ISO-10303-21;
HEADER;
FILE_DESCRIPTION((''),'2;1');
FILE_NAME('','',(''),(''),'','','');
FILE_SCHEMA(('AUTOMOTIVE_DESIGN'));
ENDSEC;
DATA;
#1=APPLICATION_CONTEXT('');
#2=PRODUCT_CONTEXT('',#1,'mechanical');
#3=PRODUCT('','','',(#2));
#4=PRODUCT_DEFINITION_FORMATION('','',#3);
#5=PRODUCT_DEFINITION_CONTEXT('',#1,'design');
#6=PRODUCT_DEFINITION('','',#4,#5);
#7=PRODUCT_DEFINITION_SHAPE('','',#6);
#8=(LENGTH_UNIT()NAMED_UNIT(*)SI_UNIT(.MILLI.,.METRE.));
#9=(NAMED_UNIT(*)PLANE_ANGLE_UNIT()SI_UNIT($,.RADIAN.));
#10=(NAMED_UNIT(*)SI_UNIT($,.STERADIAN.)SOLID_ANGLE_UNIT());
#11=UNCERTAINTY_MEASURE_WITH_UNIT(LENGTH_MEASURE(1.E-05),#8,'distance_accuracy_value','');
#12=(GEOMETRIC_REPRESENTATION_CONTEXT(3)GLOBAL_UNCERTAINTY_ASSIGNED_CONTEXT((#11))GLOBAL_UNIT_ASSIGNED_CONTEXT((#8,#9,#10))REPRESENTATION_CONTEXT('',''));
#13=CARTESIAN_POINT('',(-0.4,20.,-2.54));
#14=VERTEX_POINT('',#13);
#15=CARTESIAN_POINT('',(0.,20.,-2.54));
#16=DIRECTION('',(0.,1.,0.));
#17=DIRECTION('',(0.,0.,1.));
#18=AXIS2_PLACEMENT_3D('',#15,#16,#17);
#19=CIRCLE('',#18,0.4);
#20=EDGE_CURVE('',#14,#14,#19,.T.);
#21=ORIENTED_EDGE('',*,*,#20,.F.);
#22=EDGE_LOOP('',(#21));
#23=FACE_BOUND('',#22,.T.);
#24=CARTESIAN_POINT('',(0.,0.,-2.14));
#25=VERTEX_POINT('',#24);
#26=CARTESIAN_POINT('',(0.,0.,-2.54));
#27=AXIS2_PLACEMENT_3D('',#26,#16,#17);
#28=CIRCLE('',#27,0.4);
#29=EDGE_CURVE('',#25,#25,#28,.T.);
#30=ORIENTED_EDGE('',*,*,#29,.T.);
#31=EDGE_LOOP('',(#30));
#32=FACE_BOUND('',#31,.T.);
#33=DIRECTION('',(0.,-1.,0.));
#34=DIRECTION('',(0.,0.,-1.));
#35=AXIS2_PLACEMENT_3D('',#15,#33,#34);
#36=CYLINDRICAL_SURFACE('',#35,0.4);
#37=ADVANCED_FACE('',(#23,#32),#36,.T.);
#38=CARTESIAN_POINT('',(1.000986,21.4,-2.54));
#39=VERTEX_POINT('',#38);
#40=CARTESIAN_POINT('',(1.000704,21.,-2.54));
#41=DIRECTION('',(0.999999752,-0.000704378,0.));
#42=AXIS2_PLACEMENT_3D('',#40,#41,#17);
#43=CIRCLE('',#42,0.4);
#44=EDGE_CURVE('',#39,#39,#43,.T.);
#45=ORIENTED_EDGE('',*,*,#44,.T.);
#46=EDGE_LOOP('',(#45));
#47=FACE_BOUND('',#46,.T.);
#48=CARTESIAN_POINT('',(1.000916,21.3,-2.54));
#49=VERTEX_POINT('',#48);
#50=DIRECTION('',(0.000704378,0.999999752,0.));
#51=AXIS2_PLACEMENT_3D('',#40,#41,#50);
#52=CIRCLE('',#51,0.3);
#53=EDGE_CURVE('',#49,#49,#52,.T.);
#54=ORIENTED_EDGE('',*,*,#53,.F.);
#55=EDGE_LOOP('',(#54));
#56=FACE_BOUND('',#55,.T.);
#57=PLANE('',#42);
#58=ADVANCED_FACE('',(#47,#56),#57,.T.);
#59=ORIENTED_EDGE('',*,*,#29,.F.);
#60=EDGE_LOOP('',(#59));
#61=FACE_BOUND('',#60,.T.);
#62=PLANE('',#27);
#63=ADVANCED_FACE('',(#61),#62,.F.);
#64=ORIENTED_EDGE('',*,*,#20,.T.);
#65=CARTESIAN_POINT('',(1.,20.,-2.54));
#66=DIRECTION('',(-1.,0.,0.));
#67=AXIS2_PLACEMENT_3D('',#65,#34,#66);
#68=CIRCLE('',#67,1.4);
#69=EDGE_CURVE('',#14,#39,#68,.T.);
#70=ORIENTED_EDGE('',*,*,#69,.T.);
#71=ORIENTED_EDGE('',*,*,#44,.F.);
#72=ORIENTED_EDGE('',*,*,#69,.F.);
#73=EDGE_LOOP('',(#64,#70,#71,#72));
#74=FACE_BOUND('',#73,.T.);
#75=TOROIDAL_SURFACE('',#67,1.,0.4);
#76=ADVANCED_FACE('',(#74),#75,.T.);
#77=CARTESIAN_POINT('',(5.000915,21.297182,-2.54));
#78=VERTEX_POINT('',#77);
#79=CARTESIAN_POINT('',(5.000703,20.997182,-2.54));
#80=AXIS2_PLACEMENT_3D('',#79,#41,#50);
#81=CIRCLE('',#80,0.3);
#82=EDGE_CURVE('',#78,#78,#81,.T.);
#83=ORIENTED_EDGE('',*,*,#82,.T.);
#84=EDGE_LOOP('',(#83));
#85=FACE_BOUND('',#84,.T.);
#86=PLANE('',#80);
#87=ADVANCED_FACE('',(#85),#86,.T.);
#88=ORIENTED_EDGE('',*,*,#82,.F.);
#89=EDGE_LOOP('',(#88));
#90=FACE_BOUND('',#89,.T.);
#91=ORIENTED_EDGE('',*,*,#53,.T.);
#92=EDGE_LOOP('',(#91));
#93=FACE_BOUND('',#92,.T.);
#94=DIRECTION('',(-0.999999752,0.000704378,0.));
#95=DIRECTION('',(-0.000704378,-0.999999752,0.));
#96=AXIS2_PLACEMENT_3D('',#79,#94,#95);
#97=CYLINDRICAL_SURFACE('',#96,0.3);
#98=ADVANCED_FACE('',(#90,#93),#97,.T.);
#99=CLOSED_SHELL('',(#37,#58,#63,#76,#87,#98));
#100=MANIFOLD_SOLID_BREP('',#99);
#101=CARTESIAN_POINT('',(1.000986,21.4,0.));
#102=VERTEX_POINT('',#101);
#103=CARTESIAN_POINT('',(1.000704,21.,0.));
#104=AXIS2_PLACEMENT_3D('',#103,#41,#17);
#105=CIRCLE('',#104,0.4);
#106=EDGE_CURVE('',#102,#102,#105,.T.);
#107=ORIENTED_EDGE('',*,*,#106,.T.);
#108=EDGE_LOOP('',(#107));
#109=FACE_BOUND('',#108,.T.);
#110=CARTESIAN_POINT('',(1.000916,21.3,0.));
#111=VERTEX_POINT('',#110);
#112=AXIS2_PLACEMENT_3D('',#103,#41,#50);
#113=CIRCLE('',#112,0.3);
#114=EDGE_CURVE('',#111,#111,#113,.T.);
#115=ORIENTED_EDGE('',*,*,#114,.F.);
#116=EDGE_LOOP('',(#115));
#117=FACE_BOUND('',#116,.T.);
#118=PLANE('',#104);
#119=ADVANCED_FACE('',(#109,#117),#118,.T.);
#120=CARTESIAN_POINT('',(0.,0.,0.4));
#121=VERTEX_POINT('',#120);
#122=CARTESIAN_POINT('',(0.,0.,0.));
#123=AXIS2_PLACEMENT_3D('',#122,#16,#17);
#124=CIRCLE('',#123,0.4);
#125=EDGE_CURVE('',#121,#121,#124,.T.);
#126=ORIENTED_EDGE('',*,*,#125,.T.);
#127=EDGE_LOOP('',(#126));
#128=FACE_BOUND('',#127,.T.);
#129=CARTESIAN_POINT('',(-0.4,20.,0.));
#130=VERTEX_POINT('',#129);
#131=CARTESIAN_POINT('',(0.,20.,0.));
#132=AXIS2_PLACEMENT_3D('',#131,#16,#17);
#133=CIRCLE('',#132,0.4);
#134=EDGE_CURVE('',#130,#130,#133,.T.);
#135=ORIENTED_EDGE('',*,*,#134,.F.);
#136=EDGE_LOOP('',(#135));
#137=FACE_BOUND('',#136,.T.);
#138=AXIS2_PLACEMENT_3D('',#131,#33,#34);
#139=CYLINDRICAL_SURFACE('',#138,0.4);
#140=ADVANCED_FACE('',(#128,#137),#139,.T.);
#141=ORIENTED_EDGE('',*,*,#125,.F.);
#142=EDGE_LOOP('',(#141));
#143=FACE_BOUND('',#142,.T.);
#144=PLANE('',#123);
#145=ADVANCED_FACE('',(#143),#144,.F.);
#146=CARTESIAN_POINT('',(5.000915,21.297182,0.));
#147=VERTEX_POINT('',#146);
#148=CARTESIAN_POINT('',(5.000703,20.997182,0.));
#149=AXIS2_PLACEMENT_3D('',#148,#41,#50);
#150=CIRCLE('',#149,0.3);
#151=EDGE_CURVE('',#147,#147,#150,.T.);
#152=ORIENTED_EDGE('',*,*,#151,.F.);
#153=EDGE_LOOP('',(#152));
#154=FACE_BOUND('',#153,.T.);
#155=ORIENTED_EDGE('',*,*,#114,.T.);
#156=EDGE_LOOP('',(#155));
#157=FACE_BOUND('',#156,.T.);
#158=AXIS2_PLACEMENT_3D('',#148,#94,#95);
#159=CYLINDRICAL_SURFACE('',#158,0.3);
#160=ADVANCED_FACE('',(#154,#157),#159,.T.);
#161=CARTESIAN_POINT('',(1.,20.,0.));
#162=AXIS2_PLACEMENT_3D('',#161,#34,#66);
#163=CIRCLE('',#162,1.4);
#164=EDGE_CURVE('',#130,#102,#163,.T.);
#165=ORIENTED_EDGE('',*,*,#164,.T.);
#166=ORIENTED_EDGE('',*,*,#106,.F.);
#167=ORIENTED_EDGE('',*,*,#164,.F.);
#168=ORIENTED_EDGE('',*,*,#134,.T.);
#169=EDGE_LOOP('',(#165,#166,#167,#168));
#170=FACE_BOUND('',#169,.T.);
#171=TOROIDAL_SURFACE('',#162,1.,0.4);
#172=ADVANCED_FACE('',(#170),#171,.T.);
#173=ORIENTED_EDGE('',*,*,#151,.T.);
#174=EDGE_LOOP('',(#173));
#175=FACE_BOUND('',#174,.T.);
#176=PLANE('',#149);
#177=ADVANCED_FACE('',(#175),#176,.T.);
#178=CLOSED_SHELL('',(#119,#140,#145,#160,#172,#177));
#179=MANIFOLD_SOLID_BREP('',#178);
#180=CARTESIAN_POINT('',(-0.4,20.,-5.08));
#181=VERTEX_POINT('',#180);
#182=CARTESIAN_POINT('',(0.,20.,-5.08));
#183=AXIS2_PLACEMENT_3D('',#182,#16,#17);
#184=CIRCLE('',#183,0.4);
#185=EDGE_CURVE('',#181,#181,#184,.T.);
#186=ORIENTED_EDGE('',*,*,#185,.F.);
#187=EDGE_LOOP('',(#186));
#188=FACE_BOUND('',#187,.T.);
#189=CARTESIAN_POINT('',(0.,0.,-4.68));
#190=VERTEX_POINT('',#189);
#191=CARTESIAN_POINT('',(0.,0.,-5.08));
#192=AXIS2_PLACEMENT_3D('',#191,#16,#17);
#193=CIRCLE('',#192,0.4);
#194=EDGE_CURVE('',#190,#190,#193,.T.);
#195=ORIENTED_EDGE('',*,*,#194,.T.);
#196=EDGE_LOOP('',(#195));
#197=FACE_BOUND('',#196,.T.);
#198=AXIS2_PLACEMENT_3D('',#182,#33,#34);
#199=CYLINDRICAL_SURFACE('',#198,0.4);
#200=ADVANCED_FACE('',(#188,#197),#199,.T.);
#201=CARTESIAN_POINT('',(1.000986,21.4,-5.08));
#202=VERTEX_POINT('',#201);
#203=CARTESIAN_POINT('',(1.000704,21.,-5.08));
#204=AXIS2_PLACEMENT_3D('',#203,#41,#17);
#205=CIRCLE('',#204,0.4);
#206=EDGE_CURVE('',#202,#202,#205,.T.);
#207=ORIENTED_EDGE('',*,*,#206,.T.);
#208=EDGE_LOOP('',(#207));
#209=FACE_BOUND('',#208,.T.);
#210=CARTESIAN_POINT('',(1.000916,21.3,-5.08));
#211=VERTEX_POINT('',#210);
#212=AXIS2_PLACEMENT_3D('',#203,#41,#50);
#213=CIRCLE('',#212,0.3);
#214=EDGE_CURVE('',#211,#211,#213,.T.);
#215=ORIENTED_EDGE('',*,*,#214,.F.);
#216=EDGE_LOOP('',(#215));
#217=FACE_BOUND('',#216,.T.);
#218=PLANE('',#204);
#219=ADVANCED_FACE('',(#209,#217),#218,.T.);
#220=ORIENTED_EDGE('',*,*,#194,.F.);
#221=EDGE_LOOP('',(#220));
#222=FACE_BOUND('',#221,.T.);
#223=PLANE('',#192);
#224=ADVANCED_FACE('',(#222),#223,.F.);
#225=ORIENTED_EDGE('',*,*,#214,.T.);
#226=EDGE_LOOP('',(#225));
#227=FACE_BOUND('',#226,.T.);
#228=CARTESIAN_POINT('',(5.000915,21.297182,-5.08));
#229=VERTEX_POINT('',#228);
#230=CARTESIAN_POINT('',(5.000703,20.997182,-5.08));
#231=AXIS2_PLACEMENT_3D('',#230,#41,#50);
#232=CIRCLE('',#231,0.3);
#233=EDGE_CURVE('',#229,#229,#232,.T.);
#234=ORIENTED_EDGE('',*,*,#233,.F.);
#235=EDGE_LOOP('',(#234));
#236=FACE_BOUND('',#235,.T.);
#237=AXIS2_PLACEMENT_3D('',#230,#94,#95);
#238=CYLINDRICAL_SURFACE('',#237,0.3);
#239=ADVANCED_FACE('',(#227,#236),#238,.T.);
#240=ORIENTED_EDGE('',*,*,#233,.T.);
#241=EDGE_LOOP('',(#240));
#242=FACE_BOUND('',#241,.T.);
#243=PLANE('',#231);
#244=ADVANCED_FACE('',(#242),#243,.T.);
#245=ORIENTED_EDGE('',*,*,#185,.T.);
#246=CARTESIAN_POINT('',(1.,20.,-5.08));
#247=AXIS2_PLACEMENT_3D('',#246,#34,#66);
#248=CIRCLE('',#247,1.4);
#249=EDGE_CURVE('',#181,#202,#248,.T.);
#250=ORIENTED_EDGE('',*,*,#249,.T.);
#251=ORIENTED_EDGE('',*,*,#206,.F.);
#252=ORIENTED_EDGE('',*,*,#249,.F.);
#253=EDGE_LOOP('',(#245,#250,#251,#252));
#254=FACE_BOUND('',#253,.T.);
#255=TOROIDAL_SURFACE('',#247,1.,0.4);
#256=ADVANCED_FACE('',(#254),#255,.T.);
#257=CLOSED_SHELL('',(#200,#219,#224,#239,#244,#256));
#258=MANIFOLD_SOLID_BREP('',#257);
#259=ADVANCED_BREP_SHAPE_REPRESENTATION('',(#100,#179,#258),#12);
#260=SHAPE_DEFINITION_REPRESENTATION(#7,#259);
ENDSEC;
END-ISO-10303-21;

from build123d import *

# Parameters (mm, degrees)
ESQUISSE2_R                = 0.4
ESQUISSE3_R                = 0.3
BOSS_EXTRU_1_DEPTH         = 4
R_P_TITION_LIN_AIRE2_COUNT = 3
R_P_TITION_LIN_AIRE2_PITCH = 2.54


with BuildPart() as part:
    # Balayage1: sweep along a path in Esquisse1
    with BuildLine(Plane.XY) as balayage1_path:
        Line((0, 0), (0, 20))
        ThreePointArc((0, 20), (0.293142298, 20.707355773), (1.000704378, 20.999999752))
    # Esquisse2 → Balayage1 (sweep)
    with BuildSketch(Plane(origin=(0, 0, 0), x_dir=(1, 0, 0), z_dir=(0, 1, 0))):
        Circle(ESQUISSE2_R)
    sweep(path=balayage1_path.line)

    # Esquisse3 → Boss.-Extru.1 (add)
    with BuildSketch(Plane(origin=(0.985911939, -0.000694455, 0), x_dir=(0, 0, -1), z_dir=(0.9999997519254902, -0.000704378419902238, 0))):
        with Locations((0, 21.000699417)):
            Circle(ESQUISSE3_R)
    extrude(amount=BOSS_EXTRU_1_DEPTH)


with BuildPart() as r_p_tition_lin_aire2_1:
    # Répétition linéaire2: pattern copy
    add(part.part.moved(Location(Vector(0, 0, -1) * (1 * R_P_TITION_LIN_AIRE2_PITCH))))


with BuildPart() as r_p_tition_lin_aire2_2:
    # Répétition linéaire2: pattern copy
    add(part.part.moved(Location(Vector(0, 0, -1) * (2 * R_P_TITION_LIN_AIRE2_PITCH))))


solid = Compound([part.part, r_p_tition_lin_aire2_1.part, r_p_tition_lin_aire2_2.part])
